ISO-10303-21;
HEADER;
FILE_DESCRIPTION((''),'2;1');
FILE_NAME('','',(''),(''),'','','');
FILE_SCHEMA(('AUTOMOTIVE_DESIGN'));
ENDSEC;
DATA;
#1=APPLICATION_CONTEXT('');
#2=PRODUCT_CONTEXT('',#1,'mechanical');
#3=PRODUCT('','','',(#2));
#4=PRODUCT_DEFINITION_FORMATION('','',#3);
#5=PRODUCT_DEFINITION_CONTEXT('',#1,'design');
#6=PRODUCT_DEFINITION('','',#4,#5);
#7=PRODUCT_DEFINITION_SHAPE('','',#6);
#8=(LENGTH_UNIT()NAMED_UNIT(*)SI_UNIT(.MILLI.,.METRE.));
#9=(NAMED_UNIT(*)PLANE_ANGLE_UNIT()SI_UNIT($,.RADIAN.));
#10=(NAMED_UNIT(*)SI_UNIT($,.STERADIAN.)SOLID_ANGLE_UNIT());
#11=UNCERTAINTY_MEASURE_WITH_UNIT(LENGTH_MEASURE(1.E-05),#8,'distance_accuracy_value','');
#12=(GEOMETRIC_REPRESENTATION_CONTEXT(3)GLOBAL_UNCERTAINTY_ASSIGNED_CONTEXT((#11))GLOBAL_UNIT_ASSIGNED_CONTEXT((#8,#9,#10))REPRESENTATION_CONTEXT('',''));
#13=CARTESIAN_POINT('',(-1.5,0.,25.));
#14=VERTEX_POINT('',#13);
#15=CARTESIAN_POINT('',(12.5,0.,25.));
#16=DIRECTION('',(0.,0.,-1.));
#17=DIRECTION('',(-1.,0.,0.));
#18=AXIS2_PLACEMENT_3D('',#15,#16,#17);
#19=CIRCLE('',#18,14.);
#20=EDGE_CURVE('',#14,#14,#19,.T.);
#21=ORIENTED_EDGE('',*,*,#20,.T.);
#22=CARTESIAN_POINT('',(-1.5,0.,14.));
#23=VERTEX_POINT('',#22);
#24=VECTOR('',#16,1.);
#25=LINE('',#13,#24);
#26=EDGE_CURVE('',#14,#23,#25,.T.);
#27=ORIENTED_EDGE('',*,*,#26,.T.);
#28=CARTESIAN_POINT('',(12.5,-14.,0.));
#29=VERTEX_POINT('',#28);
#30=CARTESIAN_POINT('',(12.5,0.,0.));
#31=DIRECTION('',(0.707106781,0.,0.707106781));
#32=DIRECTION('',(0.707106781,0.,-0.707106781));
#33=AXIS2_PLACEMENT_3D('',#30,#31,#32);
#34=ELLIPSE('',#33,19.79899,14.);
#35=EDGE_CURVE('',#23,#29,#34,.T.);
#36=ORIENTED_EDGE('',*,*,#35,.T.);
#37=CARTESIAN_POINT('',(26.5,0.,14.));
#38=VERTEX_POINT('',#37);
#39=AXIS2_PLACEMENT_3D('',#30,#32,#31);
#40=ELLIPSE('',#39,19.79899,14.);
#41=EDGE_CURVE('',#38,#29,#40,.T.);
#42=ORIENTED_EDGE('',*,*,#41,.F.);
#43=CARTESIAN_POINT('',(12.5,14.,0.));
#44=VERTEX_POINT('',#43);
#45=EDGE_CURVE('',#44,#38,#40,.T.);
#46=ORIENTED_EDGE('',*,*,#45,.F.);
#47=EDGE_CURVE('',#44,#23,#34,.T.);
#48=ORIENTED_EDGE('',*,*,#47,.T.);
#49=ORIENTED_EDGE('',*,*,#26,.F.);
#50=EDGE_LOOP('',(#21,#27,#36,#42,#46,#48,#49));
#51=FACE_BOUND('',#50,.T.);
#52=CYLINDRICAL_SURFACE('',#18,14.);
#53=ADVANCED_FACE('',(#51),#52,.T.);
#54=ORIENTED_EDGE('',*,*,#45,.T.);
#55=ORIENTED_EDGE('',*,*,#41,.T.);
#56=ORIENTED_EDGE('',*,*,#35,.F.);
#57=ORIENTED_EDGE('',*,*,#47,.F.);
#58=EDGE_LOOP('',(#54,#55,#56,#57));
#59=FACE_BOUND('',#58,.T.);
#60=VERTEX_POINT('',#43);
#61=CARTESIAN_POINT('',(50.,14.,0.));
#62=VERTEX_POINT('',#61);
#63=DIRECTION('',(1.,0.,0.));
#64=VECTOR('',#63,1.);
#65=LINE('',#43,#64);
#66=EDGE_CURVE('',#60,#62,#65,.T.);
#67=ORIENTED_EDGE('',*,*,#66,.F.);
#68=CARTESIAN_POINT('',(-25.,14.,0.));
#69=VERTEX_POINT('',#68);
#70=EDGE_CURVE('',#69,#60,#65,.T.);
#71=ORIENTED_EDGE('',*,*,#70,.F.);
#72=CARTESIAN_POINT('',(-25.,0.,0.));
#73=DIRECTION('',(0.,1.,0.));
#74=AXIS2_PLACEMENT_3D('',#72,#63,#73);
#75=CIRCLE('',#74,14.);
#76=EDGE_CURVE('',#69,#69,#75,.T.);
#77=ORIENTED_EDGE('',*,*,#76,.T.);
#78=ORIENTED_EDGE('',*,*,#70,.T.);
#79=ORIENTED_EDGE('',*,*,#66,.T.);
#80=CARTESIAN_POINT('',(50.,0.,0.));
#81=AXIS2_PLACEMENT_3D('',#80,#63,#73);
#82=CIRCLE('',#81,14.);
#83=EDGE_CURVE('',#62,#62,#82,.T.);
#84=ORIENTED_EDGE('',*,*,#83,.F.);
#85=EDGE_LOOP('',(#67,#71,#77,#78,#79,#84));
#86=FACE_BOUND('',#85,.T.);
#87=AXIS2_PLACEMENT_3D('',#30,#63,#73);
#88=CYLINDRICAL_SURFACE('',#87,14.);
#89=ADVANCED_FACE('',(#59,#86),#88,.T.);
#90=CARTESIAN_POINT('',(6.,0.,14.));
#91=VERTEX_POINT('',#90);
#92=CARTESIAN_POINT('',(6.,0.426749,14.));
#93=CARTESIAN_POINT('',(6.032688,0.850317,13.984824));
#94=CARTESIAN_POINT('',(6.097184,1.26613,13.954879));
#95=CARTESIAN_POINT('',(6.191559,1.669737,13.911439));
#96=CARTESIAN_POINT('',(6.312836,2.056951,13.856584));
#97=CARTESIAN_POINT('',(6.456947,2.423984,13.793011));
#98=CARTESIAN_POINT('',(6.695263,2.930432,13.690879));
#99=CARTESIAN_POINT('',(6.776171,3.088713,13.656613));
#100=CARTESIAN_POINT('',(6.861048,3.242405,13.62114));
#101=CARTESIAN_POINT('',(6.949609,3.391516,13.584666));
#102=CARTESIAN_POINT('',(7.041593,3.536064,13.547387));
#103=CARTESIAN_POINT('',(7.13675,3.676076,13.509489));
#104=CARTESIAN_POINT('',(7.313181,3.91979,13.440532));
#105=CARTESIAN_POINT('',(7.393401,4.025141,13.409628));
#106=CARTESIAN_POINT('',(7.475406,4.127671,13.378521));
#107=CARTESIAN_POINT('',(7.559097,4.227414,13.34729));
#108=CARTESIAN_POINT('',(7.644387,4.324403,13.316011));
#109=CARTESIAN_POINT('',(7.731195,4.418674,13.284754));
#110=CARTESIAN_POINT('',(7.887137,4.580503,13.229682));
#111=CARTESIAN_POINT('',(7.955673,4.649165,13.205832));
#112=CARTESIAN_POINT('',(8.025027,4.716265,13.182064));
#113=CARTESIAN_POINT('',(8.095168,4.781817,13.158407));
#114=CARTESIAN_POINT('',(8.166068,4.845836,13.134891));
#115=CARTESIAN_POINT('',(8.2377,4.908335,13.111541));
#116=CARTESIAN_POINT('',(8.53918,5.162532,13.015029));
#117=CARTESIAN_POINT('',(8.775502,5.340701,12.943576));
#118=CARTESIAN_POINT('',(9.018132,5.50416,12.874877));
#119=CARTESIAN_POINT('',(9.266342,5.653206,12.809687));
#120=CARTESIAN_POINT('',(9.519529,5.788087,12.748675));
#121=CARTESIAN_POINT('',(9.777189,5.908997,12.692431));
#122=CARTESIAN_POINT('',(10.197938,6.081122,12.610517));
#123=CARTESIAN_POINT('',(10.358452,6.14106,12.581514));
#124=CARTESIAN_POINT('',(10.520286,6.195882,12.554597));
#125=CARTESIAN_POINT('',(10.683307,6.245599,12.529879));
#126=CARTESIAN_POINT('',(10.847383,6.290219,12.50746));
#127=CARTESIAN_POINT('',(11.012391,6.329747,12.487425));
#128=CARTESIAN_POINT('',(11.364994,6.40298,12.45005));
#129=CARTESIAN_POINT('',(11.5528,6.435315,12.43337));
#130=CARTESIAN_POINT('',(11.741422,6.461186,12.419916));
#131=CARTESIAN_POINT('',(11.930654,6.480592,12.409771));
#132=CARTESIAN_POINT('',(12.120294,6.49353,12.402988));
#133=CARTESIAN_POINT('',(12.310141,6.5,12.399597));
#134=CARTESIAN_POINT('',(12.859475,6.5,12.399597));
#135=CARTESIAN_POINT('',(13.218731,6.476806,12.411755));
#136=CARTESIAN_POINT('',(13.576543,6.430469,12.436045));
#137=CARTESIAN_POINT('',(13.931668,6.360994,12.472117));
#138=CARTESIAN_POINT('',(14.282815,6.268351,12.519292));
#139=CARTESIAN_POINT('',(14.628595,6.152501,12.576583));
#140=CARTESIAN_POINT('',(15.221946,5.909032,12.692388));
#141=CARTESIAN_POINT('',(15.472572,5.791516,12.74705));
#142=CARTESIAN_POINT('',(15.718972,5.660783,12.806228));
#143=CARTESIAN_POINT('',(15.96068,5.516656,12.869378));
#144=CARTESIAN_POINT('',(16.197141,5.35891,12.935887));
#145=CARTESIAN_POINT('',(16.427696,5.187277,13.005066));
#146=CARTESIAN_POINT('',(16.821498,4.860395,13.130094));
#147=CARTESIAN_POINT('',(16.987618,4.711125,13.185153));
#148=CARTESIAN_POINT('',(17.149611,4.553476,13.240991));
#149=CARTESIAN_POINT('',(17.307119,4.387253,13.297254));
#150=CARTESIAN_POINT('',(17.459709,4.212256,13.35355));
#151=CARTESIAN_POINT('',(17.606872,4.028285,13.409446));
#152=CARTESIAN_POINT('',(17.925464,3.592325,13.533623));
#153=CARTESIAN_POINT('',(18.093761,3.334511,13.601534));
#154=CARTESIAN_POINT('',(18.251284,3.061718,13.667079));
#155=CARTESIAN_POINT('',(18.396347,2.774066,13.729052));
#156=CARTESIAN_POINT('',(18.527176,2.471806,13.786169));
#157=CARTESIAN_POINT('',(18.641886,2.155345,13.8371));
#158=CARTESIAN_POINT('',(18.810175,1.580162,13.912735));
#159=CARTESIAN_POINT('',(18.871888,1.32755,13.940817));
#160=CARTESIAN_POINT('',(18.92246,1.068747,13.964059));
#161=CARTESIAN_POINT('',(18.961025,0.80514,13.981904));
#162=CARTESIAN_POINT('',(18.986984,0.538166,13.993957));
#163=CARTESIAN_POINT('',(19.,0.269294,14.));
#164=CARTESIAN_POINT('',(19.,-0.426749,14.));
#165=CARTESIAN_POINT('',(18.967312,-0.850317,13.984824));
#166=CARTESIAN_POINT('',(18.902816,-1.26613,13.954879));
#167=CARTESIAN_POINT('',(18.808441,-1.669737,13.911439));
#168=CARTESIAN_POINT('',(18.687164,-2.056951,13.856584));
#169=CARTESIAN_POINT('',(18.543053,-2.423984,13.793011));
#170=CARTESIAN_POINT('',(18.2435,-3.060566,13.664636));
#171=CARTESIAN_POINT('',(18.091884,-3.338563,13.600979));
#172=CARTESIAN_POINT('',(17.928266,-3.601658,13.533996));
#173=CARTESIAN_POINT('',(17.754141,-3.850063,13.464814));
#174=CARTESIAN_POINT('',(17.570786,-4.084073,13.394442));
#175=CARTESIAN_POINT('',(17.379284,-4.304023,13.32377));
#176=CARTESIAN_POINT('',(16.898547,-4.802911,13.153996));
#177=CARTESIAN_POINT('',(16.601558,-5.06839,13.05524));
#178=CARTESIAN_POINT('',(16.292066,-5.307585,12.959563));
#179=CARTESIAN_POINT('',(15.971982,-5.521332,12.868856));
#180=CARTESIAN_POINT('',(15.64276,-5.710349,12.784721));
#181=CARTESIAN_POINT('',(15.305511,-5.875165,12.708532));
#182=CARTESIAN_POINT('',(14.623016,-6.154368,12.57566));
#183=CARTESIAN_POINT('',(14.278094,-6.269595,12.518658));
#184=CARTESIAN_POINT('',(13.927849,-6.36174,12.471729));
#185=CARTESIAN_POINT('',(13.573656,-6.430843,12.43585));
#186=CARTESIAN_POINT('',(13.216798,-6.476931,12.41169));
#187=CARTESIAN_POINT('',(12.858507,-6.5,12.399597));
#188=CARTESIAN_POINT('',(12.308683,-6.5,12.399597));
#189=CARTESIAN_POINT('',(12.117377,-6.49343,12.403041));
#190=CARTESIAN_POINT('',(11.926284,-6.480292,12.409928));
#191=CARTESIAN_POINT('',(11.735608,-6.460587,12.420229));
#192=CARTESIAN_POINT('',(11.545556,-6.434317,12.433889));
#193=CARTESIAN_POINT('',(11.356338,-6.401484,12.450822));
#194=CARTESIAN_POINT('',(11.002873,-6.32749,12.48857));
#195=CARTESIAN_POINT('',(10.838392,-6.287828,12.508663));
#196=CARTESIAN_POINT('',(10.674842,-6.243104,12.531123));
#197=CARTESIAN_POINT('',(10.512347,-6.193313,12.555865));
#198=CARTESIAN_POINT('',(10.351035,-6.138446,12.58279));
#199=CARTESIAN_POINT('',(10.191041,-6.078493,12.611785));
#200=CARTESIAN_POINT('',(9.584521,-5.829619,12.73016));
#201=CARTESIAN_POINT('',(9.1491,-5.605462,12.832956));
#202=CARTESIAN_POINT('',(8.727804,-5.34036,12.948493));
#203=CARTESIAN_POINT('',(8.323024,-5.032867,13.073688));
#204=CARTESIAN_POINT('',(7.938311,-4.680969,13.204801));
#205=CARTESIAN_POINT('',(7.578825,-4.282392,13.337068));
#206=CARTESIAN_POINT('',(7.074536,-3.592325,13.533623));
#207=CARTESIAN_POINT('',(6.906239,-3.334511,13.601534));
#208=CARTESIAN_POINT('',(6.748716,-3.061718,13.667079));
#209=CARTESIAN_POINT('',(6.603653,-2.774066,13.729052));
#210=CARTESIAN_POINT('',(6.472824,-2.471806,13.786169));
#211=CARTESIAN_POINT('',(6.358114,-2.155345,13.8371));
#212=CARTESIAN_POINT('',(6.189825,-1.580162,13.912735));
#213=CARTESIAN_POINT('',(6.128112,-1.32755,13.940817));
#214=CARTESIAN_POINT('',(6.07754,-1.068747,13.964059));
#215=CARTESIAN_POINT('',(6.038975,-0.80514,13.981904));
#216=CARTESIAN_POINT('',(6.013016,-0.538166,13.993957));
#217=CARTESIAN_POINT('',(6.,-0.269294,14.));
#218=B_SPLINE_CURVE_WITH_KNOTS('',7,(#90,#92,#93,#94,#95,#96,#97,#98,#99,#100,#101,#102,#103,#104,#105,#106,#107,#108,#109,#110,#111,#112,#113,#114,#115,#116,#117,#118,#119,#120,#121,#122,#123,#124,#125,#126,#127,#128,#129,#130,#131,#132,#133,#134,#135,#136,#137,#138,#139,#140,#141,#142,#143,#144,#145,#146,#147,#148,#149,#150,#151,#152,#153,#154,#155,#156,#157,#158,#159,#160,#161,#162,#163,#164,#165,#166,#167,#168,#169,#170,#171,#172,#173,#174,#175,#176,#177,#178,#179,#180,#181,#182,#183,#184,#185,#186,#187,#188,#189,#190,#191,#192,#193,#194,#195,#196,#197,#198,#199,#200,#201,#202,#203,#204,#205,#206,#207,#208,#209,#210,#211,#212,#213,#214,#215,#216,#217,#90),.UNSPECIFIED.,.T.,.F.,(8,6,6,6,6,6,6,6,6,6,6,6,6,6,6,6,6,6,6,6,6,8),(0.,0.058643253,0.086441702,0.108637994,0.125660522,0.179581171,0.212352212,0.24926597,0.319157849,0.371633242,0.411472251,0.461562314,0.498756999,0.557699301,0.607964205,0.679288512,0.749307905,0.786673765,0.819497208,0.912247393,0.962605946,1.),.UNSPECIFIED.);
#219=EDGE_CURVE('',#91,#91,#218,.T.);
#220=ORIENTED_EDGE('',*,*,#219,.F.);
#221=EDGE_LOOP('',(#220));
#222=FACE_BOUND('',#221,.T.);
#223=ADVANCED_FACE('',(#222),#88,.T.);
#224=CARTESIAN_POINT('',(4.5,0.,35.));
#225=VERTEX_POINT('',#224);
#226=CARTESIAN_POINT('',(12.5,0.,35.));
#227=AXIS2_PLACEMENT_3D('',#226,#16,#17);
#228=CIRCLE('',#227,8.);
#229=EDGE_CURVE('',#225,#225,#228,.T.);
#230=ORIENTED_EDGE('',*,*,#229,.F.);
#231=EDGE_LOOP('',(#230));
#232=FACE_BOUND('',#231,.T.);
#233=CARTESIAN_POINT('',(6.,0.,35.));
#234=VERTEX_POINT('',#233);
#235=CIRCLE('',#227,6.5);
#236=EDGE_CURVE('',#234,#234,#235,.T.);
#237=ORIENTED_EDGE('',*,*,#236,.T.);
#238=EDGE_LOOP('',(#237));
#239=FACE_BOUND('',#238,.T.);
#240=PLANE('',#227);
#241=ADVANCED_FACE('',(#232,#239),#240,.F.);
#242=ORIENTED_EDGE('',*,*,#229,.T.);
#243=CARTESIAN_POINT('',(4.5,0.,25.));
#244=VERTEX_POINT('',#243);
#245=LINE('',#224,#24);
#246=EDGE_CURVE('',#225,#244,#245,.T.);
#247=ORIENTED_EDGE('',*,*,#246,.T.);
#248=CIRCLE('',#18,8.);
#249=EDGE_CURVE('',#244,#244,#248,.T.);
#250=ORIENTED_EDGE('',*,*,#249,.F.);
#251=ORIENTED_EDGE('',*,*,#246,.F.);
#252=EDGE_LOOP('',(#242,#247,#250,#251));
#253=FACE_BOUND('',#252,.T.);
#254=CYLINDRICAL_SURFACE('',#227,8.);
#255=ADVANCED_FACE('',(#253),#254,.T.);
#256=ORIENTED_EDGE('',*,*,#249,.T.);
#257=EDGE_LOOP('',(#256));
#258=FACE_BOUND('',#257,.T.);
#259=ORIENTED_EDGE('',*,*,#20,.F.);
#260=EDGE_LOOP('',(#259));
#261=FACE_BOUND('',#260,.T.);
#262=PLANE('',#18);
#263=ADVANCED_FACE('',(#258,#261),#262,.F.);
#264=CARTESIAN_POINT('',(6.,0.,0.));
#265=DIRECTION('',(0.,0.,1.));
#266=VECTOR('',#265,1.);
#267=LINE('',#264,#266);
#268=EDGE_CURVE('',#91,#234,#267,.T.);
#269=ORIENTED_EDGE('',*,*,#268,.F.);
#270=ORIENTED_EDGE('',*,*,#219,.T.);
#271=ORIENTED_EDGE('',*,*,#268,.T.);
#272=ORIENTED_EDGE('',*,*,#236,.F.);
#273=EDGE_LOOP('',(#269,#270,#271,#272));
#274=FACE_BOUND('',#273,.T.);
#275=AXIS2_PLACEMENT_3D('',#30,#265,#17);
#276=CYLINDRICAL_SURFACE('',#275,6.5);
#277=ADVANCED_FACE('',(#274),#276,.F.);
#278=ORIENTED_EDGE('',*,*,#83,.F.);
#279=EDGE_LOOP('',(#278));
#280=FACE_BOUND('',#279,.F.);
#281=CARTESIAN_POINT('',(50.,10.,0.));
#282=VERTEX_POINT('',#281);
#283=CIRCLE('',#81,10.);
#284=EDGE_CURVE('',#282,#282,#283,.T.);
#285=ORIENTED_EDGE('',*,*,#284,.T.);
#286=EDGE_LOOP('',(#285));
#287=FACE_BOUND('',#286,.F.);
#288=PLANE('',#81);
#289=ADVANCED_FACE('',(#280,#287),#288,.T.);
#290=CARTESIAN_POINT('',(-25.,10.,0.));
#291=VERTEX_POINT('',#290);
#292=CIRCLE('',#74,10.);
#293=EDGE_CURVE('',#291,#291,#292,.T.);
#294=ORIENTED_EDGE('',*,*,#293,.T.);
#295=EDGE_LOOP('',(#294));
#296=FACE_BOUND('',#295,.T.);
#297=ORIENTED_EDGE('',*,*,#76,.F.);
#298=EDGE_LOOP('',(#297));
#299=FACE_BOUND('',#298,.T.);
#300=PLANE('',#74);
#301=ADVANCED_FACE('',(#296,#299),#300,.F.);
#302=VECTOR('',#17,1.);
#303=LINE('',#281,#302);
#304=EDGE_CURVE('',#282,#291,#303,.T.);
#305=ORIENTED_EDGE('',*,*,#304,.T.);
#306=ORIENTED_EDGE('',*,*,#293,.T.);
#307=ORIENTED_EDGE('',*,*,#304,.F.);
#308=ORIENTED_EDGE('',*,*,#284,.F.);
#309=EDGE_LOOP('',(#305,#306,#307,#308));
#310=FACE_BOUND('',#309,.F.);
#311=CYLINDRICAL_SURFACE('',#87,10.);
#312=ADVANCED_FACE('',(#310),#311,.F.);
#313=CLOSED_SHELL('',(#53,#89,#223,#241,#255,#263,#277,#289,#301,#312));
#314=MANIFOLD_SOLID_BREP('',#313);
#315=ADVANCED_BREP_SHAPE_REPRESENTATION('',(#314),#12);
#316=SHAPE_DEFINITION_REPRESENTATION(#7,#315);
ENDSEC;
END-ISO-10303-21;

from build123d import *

# Parameters (mm, degrees)
F0_W     = 75
F0_H     = 4
F4_R     = 10
F5_DEPTH = 75.001


with BuildPart() as f1:
    # F0 (on Top) → F1 (revolve)
    with BuildSketch(Plane.XY):
        with Locations((12.5, 12)):
            Rectangle(F0_W, F0_H)
    revolve(axis=Axis((-0.954778, 0, 0), (1, 0, 0)))

    # F2 (on Front) → F3 (revolve)
    with BuildSketch(Plane.XZ):
        Polygon((-1.5, 25), (-1.5, 0), (6, 0), (6, 35), (4.5, 35), (4.5, 25), align=None)
    revolve(axis=Axis((12.5, 0, -7.054515), (0, 0, -1)))

    # F4 (on face) → F5 (cut, through all)
    with BuildSketch(Plane.YZ.offset(50)):
        Circle(F4_R)
    extrude(amount=-F5_DEPTH, mode=Mode.SUBTRACT)


solid = f1.part
